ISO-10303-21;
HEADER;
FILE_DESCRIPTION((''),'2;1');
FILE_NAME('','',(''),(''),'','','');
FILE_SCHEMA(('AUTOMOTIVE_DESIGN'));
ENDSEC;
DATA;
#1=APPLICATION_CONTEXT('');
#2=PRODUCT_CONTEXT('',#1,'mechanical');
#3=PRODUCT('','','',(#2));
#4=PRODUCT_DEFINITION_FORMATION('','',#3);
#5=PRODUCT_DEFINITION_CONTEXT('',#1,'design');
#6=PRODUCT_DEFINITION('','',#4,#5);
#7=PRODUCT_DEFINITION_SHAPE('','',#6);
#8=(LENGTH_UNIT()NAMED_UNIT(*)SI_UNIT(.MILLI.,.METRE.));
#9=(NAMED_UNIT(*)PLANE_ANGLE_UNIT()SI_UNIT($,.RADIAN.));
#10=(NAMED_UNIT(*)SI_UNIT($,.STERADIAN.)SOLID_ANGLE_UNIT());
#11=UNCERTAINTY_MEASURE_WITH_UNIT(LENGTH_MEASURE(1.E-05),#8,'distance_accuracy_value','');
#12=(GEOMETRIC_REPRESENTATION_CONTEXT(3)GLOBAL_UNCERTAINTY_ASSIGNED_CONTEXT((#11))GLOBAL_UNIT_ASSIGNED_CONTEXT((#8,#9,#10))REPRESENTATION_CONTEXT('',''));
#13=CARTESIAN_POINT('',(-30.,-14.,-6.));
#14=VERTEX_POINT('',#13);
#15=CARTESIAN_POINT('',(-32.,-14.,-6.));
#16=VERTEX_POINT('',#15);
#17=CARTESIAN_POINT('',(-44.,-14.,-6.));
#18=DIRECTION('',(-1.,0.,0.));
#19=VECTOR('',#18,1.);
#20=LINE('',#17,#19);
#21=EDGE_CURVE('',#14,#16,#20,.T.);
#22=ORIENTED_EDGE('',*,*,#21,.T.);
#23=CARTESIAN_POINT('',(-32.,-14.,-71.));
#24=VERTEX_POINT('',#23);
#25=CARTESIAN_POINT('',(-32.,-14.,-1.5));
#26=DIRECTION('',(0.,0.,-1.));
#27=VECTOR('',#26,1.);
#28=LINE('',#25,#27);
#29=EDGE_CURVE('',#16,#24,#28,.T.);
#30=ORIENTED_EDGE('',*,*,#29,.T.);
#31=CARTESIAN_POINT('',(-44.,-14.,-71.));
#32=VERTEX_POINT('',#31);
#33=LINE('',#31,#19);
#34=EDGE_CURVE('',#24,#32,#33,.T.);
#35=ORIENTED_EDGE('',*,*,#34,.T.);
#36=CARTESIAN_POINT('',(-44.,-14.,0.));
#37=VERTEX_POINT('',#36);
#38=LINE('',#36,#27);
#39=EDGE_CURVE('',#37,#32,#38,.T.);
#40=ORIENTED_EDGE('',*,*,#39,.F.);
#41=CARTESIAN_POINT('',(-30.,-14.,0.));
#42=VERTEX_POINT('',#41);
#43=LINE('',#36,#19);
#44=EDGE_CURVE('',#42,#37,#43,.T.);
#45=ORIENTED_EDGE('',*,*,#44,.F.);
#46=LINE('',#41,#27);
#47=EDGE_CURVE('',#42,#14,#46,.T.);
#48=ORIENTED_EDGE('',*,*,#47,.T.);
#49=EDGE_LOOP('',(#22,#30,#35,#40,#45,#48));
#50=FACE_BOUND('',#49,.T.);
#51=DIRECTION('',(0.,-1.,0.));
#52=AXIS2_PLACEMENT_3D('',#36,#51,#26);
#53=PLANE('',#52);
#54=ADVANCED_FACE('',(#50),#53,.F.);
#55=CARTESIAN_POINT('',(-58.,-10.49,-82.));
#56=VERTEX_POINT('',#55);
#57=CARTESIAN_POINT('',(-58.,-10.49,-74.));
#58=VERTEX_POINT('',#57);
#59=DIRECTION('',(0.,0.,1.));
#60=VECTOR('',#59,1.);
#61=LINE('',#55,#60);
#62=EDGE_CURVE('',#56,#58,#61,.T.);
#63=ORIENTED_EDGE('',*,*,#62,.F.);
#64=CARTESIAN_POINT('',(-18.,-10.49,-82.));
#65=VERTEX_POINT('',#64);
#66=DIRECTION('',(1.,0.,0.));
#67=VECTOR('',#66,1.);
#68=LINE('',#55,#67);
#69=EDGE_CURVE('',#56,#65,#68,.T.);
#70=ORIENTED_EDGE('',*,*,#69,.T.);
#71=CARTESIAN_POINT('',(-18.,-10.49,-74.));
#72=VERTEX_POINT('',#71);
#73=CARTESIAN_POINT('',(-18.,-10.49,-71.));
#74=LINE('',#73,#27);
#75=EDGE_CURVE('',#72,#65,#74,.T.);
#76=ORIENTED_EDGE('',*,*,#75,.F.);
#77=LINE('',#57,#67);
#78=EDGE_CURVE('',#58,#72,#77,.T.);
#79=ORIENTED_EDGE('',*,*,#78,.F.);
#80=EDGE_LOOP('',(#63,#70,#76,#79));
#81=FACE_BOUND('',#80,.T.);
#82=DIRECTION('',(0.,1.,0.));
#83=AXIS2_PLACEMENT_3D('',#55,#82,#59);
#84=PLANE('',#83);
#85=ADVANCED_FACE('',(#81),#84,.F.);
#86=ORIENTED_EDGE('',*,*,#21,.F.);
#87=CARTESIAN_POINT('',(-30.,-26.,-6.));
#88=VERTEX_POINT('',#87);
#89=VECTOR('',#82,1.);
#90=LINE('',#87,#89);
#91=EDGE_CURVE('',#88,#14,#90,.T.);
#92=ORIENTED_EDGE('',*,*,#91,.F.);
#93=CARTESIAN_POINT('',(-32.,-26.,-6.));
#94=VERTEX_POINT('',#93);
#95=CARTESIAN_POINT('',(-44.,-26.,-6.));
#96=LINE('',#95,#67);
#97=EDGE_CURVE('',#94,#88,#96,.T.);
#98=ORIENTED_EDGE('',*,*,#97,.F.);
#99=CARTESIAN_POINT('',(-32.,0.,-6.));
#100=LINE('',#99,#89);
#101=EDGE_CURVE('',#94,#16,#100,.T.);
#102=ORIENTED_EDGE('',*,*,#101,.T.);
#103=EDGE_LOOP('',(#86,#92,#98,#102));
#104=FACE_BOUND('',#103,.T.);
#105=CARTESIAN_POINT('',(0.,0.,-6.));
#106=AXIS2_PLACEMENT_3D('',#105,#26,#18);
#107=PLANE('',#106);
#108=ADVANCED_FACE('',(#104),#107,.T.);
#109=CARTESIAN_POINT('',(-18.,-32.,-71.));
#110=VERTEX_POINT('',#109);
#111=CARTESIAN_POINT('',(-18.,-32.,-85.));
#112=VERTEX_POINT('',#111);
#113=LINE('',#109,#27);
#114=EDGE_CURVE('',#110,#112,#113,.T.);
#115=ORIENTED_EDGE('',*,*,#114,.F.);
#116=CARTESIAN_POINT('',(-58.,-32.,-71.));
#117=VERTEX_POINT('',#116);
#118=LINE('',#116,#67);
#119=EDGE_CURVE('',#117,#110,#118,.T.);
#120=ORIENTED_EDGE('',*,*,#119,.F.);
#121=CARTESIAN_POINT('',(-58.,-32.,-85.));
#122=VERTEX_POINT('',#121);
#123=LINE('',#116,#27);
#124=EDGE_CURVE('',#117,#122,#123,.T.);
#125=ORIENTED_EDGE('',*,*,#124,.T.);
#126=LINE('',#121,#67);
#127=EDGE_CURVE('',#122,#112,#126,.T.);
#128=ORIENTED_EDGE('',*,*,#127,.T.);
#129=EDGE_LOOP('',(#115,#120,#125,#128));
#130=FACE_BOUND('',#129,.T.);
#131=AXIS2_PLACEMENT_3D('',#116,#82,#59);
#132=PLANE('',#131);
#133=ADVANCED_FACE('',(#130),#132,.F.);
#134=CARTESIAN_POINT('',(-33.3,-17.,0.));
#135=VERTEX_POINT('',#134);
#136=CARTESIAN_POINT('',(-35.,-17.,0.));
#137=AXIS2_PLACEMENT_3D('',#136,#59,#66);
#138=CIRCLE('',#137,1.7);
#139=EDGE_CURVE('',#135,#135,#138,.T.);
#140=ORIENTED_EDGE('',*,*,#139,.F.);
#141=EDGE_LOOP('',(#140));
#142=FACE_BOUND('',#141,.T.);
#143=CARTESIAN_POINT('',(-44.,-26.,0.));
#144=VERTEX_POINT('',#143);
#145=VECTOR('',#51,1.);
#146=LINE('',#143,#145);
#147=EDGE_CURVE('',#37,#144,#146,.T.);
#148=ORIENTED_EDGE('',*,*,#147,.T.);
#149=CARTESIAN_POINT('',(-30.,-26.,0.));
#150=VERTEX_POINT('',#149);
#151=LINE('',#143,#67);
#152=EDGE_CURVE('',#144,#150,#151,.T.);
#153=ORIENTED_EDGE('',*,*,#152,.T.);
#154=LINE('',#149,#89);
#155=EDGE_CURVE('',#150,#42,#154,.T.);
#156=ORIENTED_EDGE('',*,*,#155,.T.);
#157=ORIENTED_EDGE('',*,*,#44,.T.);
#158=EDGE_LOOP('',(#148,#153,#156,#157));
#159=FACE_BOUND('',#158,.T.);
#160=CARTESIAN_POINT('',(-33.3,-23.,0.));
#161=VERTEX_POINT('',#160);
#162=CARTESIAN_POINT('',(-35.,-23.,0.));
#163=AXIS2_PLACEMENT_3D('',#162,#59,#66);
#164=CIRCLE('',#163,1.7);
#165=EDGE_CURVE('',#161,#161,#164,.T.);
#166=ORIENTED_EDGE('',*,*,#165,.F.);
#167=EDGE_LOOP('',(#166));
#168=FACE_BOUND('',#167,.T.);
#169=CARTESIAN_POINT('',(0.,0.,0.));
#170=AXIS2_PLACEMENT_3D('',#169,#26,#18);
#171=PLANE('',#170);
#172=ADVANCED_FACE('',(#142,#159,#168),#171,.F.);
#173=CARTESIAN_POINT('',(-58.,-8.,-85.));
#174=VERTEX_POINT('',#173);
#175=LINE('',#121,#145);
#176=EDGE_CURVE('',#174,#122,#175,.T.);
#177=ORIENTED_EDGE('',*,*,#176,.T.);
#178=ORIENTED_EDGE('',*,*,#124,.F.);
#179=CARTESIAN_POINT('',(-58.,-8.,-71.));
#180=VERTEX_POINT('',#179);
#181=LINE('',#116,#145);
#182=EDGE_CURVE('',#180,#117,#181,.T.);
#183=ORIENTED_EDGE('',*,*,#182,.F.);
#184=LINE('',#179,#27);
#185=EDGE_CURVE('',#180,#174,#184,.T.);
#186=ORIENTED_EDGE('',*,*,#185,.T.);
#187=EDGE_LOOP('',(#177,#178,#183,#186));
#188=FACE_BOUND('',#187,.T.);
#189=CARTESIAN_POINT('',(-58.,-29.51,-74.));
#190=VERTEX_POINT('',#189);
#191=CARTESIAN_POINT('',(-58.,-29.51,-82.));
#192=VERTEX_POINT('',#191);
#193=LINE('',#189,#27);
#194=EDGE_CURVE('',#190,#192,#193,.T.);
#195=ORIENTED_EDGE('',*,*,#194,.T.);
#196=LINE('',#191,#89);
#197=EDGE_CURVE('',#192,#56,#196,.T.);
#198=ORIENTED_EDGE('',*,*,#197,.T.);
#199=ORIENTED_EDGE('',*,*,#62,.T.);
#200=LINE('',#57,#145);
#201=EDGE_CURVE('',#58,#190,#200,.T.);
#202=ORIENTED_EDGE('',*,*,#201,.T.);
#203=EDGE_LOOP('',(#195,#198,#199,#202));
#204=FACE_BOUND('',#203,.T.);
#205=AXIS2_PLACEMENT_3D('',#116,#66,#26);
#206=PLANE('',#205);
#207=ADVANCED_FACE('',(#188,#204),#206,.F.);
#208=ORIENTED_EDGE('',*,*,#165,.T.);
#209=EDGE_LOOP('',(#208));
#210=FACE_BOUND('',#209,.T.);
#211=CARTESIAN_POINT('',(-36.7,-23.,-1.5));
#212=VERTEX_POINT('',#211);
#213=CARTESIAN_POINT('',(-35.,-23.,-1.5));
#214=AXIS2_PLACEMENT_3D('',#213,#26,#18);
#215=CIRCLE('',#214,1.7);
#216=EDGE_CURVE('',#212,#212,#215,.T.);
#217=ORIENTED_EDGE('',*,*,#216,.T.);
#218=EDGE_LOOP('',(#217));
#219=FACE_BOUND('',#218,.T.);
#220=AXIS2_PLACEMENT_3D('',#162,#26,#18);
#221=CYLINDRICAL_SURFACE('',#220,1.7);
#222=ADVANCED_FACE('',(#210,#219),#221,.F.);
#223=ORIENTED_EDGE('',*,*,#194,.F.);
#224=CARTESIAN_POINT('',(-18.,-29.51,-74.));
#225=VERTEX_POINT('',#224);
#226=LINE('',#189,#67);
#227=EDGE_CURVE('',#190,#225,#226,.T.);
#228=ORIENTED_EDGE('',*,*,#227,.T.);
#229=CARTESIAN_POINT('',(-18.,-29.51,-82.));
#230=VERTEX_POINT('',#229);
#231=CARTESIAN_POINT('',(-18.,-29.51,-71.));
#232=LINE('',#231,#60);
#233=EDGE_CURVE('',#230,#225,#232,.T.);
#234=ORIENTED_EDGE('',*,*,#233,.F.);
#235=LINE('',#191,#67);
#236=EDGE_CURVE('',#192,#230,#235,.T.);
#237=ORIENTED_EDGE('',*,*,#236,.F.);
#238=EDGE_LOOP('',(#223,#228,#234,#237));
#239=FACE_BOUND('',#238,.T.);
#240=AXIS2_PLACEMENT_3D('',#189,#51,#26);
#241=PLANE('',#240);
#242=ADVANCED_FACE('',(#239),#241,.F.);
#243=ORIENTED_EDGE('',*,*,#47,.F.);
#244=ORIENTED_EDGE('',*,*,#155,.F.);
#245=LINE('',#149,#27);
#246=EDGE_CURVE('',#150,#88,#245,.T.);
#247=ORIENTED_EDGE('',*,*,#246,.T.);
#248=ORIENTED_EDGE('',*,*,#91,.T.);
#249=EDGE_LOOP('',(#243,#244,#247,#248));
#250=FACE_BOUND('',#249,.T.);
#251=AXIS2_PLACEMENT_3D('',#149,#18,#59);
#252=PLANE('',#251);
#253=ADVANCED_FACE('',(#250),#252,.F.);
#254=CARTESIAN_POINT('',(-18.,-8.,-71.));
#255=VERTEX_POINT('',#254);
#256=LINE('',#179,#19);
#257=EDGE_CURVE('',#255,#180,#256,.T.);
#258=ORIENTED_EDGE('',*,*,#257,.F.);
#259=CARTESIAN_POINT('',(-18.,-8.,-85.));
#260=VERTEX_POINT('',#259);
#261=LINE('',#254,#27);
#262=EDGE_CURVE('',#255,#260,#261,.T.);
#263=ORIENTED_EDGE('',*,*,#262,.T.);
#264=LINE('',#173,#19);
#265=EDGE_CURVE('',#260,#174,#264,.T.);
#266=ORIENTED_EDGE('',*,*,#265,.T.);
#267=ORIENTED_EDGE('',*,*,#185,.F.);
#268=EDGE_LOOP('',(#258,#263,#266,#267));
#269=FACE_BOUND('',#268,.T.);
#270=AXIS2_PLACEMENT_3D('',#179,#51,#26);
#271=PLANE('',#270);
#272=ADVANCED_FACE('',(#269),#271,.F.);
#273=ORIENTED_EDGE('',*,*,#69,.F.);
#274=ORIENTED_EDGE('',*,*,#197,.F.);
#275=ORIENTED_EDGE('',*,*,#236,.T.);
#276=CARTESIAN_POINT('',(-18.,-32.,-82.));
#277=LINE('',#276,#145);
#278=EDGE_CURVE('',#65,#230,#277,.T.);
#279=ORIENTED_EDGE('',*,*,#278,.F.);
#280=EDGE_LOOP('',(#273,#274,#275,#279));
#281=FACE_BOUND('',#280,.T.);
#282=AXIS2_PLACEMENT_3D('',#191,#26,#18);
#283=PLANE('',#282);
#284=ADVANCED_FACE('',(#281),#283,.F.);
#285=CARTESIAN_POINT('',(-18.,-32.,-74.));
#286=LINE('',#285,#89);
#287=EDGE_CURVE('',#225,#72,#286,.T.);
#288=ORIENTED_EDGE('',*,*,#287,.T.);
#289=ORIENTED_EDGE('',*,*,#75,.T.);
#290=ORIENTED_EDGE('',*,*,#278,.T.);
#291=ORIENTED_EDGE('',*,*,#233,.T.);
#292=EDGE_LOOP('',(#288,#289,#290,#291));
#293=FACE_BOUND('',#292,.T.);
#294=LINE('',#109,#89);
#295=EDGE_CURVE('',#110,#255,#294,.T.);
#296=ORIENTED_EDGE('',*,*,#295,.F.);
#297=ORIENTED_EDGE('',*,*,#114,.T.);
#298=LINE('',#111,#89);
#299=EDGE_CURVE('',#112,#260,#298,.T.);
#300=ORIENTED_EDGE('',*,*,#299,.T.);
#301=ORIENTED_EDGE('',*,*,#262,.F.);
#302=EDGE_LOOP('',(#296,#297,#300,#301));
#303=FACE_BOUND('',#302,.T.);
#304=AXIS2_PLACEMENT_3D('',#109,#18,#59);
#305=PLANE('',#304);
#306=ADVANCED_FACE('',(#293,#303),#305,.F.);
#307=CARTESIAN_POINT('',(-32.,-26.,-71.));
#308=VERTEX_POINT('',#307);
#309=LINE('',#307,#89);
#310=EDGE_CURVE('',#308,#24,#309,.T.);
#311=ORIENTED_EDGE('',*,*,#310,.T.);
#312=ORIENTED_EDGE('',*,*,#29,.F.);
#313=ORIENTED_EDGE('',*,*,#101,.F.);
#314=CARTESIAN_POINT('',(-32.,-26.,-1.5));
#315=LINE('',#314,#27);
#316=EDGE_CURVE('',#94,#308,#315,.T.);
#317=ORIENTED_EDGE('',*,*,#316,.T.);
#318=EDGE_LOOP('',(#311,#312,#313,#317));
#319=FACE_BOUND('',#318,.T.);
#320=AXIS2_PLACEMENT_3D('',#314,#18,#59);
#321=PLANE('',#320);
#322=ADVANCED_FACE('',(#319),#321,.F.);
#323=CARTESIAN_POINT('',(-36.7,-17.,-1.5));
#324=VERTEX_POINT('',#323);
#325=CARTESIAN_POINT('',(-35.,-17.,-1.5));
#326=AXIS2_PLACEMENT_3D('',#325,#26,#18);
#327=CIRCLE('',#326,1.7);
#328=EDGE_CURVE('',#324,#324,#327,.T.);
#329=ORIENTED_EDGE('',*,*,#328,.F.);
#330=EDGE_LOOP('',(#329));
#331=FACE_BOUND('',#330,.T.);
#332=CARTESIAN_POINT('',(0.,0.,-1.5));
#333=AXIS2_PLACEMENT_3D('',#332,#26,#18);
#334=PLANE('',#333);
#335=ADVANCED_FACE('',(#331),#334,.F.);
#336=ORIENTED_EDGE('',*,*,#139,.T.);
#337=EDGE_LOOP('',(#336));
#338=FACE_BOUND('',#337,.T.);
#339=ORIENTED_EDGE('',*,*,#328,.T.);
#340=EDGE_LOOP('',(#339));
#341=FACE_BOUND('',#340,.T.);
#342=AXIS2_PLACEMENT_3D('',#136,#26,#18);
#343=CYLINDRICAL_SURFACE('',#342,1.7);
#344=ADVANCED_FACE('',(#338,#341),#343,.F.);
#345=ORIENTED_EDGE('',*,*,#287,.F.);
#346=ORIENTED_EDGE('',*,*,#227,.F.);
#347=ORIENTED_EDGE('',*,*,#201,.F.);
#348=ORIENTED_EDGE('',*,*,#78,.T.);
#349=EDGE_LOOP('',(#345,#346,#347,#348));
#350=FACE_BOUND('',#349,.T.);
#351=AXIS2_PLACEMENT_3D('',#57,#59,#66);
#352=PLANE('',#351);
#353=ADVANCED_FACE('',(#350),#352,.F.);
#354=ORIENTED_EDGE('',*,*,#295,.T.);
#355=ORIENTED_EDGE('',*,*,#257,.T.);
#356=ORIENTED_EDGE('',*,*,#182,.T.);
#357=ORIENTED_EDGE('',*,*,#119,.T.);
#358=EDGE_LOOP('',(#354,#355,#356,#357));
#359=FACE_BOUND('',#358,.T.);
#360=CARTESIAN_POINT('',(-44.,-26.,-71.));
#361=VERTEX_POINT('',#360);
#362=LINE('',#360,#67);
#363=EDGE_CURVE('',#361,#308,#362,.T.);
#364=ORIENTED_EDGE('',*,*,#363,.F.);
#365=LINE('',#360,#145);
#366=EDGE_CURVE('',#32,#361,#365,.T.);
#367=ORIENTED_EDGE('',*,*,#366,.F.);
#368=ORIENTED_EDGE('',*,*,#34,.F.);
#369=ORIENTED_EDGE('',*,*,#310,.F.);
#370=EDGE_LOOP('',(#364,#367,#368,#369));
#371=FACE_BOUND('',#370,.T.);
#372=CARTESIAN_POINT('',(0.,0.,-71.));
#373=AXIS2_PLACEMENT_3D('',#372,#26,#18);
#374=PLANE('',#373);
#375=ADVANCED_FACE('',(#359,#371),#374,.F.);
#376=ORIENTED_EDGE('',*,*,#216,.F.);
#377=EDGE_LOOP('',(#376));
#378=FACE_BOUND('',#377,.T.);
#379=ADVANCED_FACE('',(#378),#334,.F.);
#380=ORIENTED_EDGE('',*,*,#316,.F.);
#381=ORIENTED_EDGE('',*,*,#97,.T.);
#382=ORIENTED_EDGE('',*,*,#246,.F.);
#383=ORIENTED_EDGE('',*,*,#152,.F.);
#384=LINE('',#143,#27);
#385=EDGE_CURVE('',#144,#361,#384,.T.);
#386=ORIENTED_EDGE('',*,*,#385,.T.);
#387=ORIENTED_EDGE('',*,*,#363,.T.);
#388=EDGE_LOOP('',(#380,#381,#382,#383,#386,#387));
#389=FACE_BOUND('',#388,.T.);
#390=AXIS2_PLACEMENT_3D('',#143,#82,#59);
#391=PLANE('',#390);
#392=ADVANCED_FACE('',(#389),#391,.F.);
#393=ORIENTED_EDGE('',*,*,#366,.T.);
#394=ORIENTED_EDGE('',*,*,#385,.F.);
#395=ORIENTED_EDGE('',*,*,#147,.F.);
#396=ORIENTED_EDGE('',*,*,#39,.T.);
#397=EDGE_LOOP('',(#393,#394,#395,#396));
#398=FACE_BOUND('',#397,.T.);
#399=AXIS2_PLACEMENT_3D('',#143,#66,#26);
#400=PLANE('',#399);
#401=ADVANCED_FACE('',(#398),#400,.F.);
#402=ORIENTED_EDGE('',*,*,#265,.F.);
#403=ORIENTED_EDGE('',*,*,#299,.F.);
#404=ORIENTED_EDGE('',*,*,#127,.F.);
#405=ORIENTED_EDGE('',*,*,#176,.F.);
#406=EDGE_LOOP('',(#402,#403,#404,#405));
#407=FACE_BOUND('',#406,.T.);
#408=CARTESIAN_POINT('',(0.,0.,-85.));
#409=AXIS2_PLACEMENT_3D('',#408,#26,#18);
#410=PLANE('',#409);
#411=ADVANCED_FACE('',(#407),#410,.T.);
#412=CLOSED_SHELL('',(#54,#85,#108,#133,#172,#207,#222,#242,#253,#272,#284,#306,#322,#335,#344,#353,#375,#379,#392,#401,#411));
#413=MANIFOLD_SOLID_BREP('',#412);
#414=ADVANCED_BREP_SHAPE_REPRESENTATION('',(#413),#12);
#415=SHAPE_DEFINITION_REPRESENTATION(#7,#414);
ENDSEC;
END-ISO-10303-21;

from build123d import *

# Parameters (mm, degrees)
OUTBOARD_FOOT_START                 = -6
SKETCH1_W                           = 14
SKETCH1_H                           = 12
SKETCH1_R                           = 1.7
OUTBOARD_FOOT_DEPTH                 = 6
DROP_WEB_START                      = -71
SKETCH2_W                           = 12
SKETCH2_H                           = 12
DROP_WEB_DEPTH                      = 69.5
CROSS_SLOT_BLOCK_START              = -85
SKETCH3_W                           = 40
SKETCH3_H                           = 24
CROSS_SLOT_BLOCK_DEPTH              = 14
X_FLOATING_Y_DRIVEN_SLOT_DEPTH      = 108.763630228
X_FLOATING_Y_DRIVEN_SLOT_DEPTH_BACK = 108.763630228
SKETCH4_W                           = 8
SKETCH4_H                           = 19.02


with BuildPart() as part:
    # Sketch1 → Outboard_Foot (new body)
    with BuildSketch(Plane.XY.offset(OUTBOARD_FOOT_START)):
        with Locations((-37, -20)):
            Rectangle(SKETCH1_W, SKETCH1_H)
        with Locations((-35, -23)):
            Circle(SKETCH1_R, mode=Mode.SUBTRACT)
        with Locations((-35, -17)):
            Circle(SKETCH1_R, mode=Mode.SUBTRACT)
    extrude(amount=OUTBOARD_FOOT_DEPTH)

    # Sketch2 → Drop_Web (add)
    with BuildSketch(Plane.XY.offset(DROP_WEB_START)):
        with Locations((-38, -20)):
            Rectangle(SKETCH2_W, SKETCH2_H)
    extrude(amount=DROP_WEB_DEPTH)

    # Sketch3 → Cross_Slot_Block (add)
    with BuildSketch(Plane.XY.offset(CROSS_SLOT_BLOCK_START)):
        with Locations((-38, -20)):
            Rectangle(SKETCH3_W, SKETCH3_H)
    extrude(amount=CROSS_SLOT_BLOCK_DEPTH)

    # Sketch4 → X_Floating_Y_Driven_Slot (cut, two sides: drawn at the far end of the back side and taken through both)
    with BuildSketch(Plane(origin=(0, 0, 0), x_dir=(0, 0, -1), z_dir=(1, 0, 0)).offset(-X_FLOATING_Y_DRIVEN_SLOT_DEPTH_BACK)):
        with Locations((78, -20)):
            Rectangle(SKETCH4_W, SKETCH4_H)
    extrude(amount=X_FLOATING_Y_DRIVEN_SLOT_DEPTH + X_FLOATING_Y_DRIVEN_SLOT_DEPTH_BACK, mode=Mode.SUBTRACT)


solid = part.part
